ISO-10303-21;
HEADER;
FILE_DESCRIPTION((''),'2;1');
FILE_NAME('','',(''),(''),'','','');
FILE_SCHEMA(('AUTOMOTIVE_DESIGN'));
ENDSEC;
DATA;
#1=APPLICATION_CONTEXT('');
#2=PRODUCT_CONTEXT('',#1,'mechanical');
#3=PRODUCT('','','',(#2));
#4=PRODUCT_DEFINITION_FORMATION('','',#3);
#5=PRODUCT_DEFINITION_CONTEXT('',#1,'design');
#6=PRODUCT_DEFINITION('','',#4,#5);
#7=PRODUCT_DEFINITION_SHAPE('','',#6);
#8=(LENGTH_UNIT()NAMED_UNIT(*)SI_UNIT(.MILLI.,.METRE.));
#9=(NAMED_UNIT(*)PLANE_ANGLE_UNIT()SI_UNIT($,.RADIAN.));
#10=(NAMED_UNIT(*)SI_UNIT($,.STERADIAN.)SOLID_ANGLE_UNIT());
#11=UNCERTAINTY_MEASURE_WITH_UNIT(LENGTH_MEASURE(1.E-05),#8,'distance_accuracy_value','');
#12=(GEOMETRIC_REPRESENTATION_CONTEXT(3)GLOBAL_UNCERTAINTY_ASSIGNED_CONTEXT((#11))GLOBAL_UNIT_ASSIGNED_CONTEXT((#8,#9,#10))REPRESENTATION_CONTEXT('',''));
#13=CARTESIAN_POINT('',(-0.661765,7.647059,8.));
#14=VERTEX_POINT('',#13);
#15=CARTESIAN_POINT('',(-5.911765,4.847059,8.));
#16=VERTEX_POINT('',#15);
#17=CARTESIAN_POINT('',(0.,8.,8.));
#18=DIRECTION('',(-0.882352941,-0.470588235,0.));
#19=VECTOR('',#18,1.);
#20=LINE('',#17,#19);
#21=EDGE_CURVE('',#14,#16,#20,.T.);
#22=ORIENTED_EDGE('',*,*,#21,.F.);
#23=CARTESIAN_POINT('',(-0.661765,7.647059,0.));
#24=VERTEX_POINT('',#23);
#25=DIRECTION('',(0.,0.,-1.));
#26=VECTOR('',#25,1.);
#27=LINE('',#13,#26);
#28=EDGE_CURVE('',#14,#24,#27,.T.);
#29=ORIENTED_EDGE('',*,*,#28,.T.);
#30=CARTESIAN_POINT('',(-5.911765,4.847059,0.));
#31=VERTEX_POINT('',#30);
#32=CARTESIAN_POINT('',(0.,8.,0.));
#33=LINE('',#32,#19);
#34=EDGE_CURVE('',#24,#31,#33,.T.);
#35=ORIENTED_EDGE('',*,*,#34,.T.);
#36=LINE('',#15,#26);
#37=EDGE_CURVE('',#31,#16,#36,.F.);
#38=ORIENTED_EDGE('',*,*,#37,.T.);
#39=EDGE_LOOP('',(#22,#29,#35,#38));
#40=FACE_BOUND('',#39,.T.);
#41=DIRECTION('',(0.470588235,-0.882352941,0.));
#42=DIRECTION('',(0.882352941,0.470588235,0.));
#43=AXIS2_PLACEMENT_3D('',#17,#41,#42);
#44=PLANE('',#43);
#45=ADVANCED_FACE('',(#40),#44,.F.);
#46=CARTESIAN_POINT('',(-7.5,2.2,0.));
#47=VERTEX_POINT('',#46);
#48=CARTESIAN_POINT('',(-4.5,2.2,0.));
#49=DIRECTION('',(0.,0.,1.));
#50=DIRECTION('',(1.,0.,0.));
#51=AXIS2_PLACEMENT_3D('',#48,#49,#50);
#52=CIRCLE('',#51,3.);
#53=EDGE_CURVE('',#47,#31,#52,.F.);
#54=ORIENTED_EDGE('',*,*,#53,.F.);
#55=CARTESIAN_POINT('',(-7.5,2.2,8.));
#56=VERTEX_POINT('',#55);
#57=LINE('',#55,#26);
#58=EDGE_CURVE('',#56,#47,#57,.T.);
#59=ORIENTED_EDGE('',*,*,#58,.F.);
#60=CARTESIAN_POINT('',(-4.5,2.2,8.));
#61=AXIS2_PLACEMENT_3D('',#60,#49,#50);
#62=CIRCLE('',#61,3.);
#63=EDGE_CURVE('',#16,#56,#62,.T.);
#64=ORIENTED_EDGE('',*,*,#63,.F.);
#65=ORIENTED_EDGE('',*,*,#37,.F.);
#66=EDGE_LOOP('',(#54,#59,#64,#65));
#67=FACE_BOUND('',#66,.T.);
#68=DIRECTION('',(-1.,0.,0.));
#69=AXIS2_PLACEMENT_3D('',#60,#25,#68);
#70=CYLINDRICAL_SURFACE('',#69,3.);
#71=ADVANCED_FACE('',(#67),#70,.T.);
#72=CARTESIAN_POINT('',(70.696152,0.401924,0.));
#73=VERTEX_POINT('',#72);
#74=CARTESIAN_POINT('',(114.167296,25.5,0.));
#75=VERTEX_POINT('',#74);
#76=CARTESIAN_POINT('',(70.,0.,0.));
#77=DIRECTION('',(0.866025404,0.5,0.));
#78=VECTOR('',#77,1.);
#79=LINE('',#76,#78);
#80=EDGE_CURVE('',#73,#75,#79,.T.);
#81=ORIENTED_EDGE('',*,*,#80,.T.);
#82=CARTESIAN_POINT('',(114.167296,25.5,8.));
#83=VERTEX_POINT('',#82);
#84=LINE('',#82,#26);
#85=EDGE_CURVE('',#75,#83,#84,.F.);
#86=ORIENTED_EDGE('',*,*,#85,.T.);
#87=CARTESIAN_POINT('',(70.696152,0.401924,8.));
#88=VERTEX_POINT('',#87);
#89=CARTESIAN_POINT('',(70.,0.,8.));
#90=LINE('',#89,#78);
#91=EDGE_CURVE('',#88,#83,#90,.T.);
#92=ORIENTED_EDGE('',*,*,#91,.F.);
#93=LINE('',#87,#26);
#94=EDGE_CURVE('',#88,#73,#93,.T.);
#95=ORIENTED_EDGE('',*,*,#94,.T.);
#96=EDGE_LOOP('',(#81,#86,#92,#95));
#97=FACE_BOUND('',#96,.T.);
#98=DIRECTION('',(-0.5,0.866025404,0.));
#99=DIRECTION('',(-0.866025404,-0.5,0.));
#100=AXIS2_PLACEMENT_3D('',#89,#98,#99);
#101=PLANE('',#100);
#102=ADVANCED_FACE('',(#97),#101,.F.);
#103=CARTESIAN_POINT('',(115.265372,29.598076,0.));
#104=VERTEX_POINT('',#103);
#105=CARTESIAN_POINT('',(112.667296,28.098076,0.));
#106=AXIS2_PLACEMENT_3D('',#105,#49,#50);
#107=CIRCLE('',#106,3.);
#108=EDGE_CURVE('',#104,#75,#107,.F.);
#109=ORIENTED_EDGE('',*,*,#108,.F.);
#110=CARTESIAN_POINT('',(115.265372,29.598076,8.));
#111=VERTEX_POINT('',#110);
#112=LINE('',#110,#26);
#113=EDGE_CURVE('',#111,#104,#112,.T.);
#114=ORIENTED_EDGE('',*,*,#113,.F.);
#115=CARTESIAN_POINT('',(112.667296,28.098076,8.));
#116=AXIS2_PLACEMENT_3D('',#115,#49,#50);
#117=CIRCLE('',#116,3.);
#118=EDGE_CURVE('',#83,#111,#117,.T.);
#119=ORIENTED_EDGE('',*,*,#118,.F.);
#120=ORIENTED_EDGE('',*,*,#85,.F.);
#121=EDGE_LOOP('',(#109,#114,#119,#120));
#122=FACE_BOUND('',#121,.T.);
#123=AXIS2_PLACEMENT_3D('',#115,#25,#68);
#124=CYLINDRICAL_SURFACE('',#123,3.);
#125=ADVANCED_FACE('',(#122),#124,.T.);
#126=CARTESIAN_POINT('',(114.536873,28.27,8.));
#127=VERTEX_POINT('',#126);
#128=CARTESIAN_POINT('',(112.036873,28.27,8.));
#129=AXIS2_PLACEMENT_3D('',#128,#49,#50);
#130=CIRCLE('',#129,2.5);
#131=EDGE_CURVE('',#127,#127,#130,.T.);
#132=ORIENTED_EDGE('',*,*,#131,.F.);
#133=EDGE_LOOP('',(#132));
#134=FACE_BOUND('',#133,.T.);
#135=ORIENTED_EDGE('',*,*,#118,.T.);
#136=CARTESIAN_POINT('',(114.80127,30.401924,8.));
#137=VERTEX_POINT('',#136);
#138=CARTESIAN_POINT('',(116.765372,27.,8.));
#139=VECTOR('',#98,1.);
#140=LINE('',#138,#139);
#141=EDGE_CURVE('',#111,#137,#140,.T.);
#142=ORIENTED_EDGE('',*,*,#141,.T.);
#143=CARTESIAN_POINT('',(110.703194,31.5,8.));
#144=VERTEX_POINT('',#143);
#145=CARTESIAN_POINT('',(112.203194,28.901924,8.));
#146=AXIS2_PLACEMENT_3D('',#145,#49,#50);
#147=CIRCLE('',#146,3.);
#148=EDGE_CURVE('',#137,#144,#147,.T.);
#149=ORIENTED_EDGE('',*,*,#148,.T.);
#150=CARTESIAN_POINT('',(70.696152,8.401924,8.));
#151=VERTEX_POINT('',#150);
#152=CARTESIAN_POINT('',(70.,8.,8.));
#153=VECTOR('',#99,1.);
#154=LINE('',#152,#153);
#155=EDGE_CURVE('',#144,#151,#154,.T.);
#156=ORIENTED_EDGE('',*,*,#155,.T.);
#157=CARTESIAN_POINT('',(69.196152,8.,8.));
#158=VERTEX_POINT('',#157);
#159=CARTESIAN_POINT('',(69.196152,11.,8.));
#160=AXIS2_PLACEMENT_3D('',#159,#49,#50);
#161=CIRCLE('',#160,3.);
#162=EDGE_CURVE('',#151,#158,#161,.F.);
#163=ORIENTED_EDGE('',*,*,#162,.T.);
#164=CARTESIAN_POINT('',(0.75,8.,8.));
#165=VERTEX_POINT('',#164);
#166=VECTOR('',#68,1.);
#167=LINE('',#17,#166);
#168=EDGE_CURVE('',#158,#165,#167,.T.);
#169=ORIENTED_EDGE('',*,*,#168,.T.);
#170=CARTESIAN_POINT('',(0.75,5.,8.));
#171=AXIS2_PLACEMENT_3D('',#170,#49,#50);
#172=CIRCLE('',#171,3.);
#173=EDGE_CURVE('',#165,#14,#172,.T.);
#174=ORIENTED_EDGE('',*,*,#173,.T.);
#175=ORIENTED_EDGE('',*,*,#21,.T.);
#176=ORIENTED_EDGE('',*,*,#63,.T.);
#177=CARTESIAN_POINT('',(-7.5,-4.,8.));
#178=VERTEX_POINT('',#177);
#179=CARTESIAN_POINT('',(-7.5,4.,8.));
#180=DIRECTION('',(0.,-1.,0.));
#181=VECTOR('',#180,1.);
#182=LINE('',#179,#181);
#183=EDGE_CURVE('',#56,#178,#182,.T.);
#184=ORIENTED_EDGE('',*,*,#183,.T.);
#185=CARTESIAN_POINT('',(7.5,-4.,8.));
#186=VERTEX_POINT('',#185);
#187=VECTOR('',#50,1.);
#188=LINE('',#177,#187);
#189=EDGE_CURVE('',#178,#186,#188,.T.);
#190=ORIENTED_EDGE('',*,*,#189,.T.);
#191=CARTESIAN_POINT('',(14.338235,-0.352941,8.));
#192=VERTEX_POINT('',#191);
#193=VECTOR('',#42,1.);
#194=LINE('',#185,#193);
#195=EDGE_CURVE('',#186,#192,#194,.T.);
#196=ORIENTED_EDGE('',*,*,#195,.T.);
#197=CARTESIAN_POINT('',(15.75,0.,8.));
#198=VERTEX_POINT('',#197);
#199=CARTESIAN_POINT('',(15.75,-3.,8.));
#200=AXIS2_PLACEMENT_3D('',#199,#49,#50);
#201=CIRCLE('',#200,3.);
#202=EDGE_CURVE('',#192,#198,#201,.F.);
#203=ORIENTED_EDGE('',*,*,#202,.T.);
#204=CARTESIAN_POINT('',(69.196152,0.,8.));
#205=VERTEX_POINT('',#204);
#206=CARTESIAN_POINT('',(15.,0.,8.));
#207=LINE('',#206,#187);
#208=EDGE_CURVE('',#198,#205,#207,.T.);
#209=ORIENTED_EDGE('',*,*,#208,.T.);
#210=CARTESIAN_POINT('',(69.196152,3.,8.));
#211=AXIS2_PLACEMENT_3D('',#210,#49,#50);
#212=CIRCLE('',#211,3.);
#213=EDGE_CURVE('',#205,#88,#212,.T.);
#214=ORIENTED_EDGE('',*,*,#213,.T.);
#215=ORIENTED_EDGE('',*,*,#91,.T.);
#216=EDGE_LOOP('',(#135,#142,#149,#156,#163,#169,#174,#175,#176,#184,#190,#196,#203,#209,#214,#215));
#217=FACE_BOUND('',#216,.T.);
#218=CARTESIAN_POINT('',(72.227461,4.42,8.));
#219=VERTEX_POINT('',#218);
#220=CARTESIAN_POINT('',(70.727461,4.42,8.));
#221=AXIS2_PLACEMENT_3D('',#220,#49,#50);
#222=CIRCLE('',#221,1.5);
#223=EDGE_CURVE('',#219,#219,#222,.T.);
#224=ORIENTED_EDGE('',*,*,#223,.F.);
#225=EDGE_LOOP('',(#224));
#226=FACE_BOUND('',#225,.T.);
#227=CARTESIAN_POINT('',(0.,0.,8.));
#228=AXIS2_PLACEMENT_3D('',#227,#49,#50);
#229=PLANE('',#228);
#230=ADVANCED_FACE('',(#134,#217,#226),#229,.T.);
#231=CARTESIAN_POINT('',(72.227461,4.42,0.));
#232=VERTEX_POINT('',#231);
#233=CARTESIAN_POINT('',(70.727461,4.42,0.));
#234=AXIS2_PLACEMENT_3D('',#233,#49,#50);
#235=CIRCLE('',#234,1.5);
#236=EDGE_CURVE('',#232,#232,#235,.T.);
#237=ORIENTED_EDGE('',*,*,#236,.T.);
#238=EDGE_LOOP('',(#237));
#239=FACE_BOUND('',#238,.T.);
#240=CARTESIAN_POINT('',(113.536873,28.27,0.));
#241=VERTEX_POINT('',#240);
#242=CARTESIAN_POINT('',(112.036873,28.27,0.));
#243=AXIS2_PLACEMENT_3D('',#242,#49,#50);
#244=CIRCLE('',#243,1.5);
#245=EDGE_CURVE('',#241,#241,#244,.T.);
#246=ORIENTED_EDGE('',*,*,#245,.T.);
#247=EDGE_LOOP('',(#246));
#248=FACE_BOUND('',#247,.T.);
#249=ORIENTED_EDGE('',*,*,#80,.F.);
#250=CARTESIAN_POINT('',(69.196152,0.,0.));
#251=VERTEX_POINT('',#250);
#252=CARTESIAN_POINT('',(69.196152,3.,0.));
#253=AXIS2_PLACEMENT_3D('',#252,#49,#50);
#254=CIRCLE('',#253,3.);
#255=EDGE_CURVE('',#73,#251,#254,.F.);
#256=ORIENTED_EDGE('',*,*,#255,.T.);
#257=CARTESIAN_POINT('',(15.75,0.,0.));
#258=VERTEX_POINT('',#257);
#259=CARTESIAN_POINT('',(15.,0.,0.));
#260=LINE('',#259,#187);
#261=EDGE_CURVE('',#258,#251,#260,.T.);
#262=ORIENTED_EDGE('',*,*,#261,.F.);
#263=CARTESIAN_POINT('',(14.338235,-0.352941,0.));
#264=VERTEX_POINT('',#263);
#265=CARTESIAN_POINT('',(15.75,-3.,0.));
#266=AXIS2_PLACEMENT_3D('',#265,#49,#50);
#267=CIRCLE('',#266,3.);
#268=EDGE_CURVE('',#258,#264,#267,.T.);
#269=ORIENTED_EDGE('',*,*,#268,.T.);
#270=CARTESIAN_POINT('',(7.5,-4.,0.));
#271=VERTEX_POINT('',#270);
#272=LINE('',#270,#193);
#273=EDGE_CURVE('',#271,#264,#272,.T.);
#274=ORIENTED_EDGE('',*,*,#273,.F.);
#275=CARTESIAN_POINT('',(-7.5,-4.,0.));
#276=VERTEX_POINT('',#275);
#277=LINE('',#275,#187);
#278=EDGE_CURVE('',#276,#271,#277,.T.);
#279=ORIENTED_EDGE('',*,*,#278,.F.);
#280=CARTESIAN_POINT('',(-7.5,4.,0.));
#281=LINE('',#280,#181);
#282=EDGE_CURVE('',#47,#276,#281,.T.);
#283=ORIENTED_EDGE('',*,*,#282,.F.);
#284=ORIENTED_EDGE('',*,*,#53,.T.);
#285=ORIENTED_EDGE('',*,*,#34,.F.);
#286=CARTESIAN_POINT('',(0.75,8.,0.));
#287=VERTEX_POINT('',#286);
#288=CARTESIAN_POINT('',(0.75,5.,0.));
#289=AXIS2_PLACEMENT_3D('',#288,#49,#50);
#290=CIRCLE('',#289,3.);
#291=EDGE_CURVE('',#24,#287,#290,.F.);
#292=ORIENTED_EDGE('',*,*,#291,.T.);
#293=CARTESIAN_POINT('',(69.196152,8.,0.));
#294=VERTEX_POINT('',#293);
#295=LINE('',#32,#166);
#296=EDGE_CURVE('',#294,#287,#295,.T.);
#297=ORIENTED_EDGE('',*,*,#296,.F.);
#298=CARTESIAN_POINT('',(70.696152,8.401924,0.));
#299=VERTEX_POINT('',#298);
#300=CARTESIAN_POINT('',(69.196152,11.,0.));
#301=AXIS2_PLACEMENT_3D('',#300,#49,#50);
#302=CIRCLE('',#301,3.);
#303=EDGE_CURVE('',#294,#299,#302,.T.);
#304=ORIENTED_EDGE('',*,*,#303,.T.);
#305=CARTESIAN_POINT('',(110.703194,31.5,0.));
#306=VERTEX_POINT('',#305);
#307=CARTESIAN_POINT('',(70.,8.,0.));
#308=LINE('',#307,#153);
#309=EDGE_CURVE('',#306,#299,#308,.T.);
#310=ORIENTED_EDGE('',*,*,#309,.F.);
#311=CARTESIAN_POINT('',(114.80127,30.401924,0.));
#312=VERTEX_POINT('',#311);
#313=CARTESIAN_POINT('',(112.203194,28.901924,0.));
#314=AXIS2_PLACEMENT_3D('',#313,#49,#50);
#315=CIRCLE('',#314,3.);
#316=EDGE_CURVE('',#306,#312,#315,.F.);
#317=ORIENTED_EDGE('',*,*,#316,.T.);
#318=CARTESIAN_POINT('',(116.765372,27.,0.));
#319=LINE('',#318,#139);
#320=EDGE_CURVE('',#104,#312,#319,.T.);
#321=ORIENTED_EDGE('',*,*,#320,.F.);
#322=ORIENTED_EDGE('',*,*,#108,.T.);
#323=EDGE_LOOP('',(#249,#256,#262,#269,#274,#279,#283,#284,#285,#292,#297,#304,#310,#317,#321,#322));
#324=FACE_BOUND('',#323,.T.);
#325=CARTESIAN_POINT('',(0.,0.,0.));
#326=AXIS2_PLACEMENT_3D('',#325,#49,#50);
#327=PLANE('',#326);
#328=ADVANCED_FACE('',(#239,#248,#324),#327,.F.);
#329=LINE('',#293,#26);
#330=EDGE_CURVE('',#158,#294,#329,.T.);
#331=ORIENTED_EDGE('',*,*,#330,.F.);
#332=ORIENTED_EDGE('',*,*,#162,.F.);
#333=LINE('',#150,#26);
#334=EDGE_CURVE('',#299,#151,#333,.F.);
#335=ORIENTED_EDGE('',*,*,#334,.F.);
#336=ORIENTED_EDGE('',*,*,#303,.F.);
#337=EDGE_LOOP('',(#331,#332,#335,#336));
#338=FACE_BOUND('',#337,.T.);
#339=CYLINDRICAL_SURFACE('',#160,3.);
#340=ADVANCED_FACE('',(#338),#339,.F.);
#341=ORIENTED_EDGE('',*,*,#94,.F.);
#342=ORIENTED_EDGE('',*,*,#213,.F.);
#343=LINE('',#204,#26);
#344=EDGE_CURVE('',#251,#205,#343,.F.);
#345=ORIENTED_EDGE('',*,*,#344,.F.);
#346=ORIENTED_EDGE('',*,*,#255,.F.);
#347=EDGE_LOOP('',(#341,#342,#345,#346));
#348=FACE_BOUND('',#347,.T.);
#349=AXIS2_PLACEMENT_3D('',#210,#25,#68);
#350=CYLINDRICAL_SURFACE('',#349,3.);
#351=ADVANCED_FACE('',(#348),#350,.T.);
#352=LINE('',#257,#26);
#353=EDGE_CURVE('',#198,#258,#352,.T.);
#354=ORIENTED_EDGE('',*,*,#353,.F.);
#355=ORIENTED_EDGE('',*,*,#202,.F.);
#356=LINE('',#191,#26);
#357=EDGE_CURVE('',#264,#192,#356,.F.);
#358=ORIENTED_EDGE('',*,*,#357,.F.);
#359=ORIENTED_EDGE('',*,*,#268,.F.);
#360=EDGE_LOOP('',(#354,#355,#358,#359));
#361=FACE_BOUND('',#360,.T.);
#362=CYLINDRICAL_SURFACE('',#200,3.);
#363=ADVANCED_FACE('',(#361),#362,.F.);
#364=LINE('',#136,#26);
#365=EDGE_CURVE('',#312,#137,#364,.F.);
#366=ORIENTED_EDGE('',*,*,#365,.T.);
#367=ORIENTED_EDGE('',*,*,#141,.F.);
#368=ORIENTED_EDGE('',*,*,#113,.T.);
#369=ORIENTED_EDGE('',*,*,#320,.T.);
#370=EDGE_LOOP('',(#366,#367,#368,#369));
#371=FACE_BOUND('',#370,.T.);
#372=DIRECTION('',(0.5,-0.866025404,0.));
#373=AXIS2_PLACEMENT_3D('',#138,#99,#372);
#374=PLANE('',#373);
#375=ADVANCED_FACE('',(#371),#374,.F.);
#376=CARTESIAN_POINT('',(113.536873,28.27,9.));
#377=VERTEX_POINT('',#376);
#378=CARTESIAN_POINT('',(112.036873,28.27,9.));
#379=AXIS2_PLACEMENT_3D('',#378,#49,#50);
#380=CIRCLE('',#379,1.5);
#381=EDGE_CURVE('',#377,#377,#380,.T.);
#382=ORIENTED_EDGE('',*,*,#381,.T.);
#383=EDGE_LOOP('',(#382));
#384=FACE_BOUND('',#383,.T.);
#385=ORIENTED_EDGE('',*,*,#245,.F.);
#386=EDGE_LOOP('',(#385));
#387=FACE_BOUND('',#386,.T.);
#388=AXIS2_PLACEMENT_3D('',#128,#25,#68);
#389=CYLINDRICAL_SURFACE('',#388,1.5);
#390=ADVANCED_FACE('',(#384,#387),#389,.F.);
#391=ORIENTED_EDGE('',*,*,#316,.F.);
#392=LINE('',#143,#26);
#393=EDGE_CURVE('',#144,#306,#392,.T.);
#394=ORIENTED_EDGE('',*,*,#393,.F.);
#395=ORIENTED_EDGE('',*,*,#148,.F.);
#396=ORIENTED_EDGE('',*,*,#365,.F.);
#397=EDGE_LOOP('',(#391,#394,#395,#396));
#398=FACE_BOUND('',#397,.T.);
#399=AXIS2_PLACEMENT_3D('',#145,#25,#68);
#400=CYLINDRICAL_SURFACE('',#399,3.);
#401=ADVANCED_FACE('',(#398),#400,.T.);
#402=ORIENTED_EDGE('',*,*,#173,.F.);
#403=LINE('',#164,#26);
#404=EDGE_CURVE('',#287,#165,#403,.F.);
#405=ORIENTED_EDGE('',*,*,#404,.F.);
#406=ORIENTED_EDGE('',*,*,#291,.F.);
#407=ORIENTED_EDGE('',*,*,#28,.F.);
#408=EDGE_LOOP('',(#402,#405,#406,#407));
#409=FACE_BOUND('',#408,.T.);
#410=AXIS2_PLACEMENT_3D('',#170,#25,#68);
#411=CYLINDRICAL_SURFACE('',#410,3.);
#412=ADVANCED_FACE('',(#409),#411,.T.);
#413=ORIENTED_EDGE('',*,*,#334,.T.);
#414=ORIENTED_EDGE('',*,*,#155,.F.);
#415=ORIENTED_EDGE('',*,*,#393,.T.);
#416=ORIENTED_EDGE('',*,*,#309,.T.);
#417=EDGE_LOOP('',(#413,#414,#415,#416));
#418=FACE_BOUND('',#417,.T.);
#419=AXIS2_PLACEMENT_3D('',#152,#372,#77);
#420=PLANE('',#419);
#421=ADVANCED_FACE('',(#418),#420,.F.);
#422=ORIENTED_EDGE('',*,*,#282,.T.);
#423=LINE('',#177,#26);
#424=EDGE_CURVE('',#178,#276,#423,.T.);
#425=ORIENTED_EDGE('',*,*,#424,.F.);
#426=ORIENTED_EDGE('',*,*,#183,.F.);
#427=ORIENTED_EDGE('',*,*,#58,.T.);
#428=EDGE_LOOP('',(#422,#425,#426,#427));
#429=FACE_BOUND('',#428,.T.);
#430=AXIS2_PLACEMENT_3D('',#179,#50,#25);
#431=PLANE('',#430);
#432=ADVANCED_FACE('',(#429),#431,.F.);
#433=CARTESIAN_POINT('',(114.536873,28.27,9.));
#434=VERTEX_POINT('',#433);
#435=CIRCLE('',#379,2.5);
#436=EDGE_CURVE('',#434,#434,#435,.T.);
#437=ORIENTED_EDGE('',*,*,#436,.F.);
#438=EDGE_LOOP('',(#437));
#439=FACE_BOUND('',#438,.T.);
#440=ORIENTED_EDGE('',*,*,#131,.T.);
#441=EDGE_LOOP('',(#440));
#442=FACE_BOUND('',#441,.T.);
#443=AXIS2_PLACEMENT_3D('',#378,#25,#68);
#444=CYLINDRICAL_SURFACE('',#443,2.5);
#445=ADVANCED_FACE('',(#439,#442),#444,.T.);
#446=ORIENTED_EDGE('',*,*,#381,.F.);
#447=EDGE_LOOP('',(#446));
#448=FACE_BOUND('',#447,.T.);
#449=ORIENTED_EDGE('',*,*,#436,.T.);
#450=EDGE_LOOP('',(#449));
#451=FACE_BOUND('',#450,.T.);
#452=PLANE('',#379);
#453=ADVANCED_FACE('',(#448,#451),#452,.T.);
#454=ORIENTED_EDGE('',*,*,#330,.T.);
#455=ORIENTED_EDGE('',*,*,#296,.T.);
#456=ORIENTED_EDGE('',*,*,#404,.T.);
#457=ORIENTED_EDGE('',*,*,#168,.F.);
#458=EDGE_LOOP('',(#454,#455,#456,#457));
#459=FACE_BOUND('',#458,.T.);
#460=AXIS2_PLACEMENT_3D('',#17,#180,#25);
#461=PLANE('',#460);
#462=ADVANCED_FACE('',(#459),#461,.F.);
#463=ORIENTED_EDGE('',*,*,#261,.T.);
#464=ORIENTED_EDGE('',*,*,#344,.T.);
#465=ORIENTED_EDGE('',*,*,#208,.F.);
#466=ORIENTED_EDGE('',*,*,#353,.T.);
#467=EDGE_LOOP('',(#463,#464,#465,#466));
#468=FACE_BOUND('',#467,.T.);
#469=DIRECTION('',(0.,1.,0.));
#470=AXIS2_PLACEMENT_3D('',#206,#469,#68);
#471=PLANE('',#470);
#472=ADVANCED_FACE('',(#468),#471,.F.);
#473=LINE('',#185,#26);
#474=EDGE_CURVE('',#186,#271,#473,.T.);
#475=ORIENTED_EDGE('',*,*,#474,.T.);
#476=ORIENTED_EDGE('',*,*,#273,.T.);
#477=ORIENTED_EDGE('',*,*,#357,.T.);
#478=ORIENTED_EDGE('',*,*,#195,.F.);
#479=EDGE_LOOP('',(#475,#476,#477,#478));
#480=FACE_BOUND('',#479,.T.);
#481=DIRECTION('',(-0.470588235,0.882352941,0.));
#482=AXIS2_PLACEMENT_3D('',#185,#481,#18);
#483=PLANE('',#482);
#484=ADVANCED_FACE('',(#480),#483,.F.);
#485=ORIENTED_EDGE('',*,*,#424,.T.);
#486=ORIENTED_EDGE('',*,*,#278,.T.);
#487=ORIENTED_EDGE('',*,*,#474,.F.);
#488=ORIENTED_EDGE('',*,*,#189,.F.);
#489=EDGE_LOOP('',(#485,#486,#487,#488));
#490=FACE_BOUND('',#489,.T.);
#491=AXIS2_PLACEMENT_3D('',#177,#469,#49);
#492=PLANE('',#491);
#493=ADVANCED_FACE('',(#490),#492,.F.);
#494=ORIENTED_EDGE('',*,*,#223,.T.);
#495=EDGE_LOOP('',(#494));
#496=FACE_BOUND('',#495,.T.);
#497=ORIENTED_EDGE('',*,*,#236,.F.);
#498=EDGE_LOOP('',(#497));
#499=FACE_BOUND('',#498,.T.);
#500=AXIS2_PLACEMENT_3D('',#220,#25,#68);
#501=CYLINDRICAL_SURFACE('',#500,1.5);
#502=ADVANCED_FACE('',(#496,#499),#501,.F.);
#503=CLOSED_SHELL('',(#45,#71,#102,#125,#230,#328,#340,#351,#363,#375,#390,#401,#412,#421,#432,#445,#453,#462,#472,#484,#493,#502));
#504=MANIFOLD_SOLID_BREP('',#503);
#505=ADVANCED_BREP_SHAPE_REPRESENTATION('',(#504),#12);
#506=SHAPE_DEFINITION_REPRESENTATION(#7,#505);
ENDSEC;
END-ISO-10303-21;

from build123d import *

# Parameters (mm, degrees)
SKETCH_1_R      = 1.5
EXTRUDE_1_DEPTH = 8
FILLET_1_R      = 3
SKETCH_2_R      = 2.5
SKETCH_2_R_2    = 1.5
EXTRUDE_2_DEPTH = 1


with BuildPart() as part:
    # 草图1 → 凸台-拉伸1 (new body)
    with BuildSketch(Plane.XY):
        Polygon((-7.5, 4), (-7.5, -4), (7.5, -4), (15, 0), (70, 0), (116.765371804, 27), (113.301270189, 33), (70, 8), (0, 8), align=None)
        with Locations((112.0368731, 28.27)):
            Circle(SKETCH_1_R, mode=Mode.SUBTRACT)
        with Locations((70.727461339, 4.42)):
            Circle(SKETCH_1_R, mode=Mode.SUBTRACT)
    extrude(amount=EXTRUDE_1_DEPTH)

    # 圆角1
    fillet_1_edges = [part.edges().sort_by_distance(p)[0] for p in [
        (-7.5, 4, 4),
        (0, 8, 4),
        (70, 8, 4),
        (113.301270189, 33, 4),
        (116.765371804, 27, 4),
        (70, 0, 4),
        (15, 0, 4),
    ]]
    fillet(fillet_1_edges, radius=FILLET_1_R)

    # 草图2 → 凸台-拉伸2 (add)
    with BuildSketch(Plane.XY.offset(8)):
        with Locations((112.0368731, 28.27)):
            Circle(SKETCH_2_R)
        with Locations((112.0368731, 28.27)):
            Circle(SKETCH_2_R_2, mode=Mode.SUBTRACT)
    extrude(amount=EXTRUDE_2_DEPTH)


solid = part.part
